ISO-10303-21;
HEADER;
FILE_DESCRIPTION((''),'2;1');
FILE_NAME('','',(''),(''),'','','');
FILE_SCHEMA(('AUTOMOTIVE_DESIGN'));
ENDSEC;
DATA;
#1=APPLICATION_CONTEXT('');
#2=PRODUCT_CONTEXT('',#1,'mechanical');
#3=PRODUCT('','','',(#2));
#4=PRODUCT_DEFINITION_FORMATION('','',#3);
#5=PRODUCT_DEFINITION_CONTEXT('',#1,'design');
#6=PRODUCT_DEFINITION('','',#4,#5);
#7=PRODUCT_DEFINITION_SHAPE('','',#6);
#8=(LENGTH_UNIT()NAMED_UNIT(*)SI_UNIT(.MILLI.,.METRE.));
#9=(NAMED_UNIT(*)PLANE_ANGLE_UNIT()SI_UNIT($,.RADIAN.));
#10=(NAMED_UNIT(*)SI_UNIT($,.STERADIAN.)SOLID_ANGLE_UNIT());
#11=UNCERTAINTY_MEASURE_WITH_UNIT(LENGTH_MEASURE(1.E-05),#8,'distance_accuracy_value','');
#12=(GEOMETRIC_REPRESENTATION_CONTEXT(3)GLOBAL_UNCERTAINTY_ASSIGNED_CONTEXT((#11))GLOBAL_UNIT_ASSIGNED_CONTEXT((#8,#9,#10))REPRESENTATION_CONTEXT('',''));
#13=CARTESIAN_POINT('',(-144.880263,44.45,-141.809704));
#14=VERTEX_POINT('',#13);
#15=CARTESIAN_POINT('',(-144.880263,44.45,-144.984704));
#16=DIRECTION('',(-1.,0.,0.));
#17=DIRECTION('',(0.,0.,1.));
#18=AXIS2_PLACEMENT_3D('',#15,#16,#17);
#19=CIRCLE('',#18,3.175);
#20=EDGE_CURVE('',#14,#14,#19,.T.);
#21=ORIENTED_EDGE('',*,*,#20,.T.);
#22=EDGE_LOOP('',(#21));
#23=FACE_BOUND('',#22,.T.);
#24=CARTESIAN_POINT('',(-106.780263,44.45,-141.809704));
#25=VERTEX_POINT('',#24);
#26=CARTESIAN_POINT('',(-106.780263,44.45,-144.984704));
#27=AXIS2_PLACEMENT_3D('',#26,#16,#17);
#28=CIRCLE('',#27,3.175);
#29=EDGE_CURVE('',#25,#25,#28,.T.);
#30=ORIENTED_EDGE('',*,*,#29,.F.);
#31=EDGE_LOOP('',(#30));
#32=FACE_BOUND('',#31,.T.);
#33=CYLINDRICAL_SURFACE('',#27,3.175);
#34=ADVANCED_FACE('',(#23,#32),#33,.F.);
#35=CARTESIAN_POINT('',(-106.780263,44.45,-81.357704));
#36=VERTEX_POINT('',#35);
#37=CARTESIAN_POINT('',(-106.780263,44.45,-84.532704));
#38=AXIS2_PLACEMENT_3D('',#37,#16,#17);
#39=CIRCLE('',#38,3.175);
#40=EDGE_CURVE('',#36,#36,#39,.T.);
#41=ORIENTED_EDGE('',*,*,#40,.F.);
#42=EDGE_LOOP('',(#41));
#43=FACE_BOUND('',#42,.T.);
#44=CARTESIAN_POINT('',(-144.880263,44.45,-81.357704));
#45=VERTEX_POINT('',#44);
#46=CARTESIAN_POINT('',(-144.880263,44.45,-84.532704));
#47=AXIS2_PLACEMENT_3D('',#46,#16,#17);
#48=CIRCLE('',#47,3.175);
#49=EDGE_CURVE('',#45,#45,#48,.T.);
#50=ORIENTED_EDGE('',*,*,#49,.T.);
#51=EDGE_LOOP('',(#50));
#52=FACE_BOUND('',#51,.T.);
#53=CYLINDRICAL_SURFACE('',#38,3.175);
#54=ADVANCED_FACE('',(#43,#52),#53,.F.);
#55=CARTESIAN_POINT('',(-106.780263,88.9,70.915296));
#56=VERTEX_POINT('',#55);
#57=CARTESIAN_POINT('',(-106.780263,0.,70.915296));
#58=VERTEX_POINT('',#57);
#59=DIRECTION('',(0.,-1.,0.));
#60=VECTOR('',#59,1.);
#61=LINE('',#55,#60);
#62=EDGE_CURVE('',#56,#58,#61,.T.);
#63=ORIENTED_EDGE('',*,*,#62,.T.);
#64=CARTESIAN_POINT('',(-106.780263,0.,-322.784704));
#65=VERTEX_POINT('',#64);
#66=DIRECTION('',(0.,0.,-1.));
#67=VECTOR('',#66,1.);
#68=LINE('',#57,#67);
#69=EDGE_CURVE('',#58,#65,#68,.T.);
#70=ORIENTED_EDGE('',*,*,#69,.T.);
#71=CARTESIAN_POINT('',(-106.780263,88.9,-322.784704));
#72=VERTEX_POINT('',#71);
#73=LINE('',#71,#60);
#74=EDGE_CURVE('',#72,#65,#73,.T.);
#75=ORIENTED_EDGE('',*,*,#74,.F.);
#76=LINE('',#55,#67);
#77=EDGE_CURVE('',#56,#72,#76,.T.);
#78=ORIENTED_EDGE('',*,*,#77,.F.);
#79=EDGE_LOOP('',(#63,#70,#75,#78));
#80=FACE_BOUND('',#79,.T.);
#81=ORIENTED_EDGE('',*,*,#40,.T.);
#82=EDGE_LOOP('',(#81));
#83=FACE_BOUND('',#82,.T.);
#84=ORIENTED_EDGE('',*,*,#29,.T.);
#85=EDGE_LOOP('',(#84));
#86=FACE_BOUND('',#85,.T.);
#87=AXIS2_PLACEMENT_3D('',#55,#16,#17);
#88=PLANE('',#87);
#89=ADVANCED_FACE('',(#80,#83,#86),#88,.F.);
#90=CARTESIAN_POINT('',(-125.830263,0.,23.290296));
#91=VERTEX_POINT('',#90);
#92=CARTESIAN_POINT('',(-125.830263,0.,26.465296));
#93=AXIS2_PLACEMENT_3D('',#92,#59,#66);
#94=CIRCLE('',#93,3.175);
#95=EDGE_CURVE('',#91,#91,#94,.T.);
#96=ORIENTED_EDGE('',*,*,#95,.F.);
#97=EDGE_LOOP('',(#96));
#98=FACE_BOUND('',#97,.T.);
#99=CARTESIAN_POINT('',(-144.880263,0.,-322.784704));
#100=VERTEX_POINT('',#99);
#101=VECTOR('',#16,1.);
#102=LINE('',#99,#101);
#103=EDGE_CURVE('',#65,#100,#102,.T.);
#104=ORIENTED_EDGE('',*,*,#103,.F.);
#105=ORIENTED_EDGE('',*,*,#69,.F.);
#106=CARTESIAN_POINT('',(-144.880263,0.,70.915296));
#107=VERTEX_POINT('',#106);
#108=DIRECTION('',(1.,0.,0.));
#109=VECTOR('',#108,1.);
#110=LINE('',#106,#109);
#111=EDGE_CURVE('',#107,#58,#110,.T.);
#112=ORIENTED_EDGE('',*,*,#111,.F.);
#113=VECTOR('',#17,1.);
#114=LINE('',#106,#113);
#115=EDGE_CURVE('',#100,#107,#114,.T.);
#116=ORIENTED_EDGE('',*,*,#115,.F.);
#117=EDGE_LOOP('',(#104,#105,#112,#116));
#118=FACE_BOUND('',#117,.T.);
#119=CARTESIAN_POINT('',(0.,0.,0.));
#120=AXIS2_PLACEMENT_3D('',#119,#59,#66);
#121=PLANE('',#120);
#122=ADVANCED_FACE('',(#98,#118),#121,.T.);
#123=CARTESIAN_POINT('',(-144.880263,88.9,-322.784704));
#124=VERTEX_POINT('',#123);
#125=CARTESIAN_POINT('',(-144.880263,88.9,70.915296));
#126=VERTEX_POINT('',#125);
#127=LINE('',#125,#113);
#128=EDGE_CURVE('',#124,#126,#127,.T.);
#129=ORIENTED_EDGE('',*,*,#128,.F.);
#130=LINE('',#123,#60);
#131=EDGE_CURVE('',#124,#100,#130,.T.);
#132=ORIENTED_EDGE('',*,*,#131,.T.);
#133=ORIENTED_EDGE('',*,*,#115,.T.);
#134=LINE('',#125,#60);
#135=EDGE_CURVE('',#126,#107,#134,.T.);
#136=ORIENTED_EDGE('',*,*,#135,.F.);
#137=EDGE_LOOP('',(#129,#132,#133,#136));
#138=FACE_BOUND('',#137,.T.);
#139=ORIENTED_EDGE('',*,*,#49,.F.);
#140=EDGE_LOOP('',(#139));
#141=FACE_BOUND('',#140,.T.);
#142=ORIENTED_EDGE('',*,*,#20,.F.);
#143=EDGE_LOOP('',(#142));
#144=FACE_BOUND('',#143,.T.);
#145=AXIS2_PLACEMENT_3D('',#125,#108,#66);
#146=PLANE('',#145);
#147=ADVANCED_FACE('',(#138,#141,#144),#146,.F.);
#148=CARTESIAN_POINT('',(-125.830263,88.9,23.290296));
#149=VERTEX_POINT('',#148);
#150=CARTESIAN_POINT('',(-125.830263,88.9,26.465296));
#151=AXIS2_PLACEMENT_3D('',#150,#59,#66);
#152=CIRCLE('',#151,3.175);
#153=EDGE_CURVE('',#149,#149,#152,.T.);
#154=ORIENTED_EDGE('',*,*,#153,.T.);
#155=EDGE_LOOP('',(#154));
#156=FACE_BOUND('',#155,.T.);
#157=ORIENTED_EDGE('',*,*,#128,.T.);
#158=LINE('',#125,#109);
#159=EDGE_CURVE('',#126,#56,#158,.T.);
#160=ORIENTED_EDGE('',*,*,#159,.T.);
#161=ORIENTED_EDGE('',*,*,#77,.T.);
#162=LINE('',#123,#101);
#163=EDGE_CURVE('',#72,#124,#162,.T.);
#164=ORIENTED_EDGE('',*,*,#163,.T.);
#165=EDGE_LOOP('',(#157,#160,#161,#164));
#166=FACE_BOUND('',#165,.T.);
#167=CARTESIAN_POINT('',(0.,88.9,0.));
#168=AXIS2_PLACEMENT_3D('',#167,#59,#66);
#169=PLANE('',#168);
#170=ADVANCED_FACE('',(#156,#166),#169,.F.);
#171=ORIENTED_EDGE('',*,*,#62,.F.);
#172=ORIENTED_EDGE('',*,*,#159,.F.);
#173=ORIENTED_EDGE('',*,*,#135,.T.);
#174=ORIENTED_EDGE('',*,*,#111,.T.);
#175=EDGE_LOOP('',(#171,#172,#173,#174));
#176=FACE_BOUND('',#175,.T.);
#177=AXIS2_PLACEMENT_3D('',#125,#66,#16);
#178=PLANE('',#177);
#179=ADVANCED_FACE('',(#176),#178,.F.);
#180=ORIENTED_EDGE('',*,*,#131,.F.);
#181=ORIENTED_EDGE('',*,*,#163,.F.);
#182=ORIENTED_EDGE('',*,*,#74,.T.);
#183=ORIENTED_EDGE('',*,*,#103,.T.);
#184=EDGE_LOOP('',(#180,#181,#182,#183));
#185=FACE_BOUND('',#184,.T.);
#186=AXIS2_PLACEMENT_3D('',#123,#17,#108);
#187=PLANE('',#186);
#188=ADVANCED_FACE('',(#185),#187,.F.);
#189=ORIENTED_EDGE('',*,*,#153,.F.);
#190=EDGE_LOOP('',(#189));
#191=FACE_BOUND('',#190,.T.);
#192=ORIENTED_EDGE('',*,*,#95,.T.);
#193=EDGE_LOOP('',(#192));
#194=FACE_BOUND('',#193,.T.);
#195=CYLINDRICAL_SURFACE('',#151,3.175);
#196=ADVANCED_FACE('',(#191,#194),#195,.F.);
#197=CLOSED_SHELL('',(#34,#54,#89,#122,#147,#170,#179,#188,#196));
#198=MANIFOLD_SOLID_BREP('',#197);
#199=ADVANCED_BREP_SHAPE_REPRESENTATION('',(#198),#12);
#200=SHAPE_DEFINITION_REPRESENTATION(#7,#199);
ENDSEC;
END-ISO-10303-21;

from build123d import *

# Parameters (mm, degrees)
SKETCH1_W           = 38.1
SKETCH1_H           = 393.7
BOSS_EXTRUDE1_DEPTH = 88.9
SKETCH3_R           = 3.175
CUT_EXTRUDE2_DEPTH  = 337.964070937
SKETCH2_R           = 3.175
CUT_EXTRUDE3_DEPTH  = 365.806065952


with BuildPart() as part:
    # Sketch1 → Boss-Extrude1 (new body)
    with BuildSketch(Plane(origin=(0, 0, 0), x_dir=(1, 0, 0), z_dir=(0, 1, 0))):
        with Locations((-125.830263158, 125.934703947)):
            Rectangle(SKETCH1_W, SKETCH1_H)
    extrude(amount=BOSS_EXTRUDE1_DEPTH)

    # Sketch3 → Cut-Extrude2 (cut, through all)
    with BuildSketch(Plane.ZY.offset(144.880263158)):
        with Locations((-84.532703947, 44.45)):
            Circle(SKETCH3_R)
        with Locations((-144.984703947, 44.45)):
            Circle(SKETCH3_R)
    extrude(amount=-CUT_EXTRUDE2_DEPTH, mode=Mode.SUBTRACT)

    # Sketch2 → Cut-Extrude3 (cut, through all)
    with BuildSketch(Plane(origin=(0, 0, 0), x_dir=(-1, 0, 0), z_dir=(0, -1, 0))):
        with Locations(Location((125.830263158, -26.465296053, 0), (0, 0, 90))):
            Circle(SKETCH2_R)
    extrude(amount=-CUT_EXTRUDE3_DEPTH, mode=Mode.SUBTRACT)


solid = part.part
